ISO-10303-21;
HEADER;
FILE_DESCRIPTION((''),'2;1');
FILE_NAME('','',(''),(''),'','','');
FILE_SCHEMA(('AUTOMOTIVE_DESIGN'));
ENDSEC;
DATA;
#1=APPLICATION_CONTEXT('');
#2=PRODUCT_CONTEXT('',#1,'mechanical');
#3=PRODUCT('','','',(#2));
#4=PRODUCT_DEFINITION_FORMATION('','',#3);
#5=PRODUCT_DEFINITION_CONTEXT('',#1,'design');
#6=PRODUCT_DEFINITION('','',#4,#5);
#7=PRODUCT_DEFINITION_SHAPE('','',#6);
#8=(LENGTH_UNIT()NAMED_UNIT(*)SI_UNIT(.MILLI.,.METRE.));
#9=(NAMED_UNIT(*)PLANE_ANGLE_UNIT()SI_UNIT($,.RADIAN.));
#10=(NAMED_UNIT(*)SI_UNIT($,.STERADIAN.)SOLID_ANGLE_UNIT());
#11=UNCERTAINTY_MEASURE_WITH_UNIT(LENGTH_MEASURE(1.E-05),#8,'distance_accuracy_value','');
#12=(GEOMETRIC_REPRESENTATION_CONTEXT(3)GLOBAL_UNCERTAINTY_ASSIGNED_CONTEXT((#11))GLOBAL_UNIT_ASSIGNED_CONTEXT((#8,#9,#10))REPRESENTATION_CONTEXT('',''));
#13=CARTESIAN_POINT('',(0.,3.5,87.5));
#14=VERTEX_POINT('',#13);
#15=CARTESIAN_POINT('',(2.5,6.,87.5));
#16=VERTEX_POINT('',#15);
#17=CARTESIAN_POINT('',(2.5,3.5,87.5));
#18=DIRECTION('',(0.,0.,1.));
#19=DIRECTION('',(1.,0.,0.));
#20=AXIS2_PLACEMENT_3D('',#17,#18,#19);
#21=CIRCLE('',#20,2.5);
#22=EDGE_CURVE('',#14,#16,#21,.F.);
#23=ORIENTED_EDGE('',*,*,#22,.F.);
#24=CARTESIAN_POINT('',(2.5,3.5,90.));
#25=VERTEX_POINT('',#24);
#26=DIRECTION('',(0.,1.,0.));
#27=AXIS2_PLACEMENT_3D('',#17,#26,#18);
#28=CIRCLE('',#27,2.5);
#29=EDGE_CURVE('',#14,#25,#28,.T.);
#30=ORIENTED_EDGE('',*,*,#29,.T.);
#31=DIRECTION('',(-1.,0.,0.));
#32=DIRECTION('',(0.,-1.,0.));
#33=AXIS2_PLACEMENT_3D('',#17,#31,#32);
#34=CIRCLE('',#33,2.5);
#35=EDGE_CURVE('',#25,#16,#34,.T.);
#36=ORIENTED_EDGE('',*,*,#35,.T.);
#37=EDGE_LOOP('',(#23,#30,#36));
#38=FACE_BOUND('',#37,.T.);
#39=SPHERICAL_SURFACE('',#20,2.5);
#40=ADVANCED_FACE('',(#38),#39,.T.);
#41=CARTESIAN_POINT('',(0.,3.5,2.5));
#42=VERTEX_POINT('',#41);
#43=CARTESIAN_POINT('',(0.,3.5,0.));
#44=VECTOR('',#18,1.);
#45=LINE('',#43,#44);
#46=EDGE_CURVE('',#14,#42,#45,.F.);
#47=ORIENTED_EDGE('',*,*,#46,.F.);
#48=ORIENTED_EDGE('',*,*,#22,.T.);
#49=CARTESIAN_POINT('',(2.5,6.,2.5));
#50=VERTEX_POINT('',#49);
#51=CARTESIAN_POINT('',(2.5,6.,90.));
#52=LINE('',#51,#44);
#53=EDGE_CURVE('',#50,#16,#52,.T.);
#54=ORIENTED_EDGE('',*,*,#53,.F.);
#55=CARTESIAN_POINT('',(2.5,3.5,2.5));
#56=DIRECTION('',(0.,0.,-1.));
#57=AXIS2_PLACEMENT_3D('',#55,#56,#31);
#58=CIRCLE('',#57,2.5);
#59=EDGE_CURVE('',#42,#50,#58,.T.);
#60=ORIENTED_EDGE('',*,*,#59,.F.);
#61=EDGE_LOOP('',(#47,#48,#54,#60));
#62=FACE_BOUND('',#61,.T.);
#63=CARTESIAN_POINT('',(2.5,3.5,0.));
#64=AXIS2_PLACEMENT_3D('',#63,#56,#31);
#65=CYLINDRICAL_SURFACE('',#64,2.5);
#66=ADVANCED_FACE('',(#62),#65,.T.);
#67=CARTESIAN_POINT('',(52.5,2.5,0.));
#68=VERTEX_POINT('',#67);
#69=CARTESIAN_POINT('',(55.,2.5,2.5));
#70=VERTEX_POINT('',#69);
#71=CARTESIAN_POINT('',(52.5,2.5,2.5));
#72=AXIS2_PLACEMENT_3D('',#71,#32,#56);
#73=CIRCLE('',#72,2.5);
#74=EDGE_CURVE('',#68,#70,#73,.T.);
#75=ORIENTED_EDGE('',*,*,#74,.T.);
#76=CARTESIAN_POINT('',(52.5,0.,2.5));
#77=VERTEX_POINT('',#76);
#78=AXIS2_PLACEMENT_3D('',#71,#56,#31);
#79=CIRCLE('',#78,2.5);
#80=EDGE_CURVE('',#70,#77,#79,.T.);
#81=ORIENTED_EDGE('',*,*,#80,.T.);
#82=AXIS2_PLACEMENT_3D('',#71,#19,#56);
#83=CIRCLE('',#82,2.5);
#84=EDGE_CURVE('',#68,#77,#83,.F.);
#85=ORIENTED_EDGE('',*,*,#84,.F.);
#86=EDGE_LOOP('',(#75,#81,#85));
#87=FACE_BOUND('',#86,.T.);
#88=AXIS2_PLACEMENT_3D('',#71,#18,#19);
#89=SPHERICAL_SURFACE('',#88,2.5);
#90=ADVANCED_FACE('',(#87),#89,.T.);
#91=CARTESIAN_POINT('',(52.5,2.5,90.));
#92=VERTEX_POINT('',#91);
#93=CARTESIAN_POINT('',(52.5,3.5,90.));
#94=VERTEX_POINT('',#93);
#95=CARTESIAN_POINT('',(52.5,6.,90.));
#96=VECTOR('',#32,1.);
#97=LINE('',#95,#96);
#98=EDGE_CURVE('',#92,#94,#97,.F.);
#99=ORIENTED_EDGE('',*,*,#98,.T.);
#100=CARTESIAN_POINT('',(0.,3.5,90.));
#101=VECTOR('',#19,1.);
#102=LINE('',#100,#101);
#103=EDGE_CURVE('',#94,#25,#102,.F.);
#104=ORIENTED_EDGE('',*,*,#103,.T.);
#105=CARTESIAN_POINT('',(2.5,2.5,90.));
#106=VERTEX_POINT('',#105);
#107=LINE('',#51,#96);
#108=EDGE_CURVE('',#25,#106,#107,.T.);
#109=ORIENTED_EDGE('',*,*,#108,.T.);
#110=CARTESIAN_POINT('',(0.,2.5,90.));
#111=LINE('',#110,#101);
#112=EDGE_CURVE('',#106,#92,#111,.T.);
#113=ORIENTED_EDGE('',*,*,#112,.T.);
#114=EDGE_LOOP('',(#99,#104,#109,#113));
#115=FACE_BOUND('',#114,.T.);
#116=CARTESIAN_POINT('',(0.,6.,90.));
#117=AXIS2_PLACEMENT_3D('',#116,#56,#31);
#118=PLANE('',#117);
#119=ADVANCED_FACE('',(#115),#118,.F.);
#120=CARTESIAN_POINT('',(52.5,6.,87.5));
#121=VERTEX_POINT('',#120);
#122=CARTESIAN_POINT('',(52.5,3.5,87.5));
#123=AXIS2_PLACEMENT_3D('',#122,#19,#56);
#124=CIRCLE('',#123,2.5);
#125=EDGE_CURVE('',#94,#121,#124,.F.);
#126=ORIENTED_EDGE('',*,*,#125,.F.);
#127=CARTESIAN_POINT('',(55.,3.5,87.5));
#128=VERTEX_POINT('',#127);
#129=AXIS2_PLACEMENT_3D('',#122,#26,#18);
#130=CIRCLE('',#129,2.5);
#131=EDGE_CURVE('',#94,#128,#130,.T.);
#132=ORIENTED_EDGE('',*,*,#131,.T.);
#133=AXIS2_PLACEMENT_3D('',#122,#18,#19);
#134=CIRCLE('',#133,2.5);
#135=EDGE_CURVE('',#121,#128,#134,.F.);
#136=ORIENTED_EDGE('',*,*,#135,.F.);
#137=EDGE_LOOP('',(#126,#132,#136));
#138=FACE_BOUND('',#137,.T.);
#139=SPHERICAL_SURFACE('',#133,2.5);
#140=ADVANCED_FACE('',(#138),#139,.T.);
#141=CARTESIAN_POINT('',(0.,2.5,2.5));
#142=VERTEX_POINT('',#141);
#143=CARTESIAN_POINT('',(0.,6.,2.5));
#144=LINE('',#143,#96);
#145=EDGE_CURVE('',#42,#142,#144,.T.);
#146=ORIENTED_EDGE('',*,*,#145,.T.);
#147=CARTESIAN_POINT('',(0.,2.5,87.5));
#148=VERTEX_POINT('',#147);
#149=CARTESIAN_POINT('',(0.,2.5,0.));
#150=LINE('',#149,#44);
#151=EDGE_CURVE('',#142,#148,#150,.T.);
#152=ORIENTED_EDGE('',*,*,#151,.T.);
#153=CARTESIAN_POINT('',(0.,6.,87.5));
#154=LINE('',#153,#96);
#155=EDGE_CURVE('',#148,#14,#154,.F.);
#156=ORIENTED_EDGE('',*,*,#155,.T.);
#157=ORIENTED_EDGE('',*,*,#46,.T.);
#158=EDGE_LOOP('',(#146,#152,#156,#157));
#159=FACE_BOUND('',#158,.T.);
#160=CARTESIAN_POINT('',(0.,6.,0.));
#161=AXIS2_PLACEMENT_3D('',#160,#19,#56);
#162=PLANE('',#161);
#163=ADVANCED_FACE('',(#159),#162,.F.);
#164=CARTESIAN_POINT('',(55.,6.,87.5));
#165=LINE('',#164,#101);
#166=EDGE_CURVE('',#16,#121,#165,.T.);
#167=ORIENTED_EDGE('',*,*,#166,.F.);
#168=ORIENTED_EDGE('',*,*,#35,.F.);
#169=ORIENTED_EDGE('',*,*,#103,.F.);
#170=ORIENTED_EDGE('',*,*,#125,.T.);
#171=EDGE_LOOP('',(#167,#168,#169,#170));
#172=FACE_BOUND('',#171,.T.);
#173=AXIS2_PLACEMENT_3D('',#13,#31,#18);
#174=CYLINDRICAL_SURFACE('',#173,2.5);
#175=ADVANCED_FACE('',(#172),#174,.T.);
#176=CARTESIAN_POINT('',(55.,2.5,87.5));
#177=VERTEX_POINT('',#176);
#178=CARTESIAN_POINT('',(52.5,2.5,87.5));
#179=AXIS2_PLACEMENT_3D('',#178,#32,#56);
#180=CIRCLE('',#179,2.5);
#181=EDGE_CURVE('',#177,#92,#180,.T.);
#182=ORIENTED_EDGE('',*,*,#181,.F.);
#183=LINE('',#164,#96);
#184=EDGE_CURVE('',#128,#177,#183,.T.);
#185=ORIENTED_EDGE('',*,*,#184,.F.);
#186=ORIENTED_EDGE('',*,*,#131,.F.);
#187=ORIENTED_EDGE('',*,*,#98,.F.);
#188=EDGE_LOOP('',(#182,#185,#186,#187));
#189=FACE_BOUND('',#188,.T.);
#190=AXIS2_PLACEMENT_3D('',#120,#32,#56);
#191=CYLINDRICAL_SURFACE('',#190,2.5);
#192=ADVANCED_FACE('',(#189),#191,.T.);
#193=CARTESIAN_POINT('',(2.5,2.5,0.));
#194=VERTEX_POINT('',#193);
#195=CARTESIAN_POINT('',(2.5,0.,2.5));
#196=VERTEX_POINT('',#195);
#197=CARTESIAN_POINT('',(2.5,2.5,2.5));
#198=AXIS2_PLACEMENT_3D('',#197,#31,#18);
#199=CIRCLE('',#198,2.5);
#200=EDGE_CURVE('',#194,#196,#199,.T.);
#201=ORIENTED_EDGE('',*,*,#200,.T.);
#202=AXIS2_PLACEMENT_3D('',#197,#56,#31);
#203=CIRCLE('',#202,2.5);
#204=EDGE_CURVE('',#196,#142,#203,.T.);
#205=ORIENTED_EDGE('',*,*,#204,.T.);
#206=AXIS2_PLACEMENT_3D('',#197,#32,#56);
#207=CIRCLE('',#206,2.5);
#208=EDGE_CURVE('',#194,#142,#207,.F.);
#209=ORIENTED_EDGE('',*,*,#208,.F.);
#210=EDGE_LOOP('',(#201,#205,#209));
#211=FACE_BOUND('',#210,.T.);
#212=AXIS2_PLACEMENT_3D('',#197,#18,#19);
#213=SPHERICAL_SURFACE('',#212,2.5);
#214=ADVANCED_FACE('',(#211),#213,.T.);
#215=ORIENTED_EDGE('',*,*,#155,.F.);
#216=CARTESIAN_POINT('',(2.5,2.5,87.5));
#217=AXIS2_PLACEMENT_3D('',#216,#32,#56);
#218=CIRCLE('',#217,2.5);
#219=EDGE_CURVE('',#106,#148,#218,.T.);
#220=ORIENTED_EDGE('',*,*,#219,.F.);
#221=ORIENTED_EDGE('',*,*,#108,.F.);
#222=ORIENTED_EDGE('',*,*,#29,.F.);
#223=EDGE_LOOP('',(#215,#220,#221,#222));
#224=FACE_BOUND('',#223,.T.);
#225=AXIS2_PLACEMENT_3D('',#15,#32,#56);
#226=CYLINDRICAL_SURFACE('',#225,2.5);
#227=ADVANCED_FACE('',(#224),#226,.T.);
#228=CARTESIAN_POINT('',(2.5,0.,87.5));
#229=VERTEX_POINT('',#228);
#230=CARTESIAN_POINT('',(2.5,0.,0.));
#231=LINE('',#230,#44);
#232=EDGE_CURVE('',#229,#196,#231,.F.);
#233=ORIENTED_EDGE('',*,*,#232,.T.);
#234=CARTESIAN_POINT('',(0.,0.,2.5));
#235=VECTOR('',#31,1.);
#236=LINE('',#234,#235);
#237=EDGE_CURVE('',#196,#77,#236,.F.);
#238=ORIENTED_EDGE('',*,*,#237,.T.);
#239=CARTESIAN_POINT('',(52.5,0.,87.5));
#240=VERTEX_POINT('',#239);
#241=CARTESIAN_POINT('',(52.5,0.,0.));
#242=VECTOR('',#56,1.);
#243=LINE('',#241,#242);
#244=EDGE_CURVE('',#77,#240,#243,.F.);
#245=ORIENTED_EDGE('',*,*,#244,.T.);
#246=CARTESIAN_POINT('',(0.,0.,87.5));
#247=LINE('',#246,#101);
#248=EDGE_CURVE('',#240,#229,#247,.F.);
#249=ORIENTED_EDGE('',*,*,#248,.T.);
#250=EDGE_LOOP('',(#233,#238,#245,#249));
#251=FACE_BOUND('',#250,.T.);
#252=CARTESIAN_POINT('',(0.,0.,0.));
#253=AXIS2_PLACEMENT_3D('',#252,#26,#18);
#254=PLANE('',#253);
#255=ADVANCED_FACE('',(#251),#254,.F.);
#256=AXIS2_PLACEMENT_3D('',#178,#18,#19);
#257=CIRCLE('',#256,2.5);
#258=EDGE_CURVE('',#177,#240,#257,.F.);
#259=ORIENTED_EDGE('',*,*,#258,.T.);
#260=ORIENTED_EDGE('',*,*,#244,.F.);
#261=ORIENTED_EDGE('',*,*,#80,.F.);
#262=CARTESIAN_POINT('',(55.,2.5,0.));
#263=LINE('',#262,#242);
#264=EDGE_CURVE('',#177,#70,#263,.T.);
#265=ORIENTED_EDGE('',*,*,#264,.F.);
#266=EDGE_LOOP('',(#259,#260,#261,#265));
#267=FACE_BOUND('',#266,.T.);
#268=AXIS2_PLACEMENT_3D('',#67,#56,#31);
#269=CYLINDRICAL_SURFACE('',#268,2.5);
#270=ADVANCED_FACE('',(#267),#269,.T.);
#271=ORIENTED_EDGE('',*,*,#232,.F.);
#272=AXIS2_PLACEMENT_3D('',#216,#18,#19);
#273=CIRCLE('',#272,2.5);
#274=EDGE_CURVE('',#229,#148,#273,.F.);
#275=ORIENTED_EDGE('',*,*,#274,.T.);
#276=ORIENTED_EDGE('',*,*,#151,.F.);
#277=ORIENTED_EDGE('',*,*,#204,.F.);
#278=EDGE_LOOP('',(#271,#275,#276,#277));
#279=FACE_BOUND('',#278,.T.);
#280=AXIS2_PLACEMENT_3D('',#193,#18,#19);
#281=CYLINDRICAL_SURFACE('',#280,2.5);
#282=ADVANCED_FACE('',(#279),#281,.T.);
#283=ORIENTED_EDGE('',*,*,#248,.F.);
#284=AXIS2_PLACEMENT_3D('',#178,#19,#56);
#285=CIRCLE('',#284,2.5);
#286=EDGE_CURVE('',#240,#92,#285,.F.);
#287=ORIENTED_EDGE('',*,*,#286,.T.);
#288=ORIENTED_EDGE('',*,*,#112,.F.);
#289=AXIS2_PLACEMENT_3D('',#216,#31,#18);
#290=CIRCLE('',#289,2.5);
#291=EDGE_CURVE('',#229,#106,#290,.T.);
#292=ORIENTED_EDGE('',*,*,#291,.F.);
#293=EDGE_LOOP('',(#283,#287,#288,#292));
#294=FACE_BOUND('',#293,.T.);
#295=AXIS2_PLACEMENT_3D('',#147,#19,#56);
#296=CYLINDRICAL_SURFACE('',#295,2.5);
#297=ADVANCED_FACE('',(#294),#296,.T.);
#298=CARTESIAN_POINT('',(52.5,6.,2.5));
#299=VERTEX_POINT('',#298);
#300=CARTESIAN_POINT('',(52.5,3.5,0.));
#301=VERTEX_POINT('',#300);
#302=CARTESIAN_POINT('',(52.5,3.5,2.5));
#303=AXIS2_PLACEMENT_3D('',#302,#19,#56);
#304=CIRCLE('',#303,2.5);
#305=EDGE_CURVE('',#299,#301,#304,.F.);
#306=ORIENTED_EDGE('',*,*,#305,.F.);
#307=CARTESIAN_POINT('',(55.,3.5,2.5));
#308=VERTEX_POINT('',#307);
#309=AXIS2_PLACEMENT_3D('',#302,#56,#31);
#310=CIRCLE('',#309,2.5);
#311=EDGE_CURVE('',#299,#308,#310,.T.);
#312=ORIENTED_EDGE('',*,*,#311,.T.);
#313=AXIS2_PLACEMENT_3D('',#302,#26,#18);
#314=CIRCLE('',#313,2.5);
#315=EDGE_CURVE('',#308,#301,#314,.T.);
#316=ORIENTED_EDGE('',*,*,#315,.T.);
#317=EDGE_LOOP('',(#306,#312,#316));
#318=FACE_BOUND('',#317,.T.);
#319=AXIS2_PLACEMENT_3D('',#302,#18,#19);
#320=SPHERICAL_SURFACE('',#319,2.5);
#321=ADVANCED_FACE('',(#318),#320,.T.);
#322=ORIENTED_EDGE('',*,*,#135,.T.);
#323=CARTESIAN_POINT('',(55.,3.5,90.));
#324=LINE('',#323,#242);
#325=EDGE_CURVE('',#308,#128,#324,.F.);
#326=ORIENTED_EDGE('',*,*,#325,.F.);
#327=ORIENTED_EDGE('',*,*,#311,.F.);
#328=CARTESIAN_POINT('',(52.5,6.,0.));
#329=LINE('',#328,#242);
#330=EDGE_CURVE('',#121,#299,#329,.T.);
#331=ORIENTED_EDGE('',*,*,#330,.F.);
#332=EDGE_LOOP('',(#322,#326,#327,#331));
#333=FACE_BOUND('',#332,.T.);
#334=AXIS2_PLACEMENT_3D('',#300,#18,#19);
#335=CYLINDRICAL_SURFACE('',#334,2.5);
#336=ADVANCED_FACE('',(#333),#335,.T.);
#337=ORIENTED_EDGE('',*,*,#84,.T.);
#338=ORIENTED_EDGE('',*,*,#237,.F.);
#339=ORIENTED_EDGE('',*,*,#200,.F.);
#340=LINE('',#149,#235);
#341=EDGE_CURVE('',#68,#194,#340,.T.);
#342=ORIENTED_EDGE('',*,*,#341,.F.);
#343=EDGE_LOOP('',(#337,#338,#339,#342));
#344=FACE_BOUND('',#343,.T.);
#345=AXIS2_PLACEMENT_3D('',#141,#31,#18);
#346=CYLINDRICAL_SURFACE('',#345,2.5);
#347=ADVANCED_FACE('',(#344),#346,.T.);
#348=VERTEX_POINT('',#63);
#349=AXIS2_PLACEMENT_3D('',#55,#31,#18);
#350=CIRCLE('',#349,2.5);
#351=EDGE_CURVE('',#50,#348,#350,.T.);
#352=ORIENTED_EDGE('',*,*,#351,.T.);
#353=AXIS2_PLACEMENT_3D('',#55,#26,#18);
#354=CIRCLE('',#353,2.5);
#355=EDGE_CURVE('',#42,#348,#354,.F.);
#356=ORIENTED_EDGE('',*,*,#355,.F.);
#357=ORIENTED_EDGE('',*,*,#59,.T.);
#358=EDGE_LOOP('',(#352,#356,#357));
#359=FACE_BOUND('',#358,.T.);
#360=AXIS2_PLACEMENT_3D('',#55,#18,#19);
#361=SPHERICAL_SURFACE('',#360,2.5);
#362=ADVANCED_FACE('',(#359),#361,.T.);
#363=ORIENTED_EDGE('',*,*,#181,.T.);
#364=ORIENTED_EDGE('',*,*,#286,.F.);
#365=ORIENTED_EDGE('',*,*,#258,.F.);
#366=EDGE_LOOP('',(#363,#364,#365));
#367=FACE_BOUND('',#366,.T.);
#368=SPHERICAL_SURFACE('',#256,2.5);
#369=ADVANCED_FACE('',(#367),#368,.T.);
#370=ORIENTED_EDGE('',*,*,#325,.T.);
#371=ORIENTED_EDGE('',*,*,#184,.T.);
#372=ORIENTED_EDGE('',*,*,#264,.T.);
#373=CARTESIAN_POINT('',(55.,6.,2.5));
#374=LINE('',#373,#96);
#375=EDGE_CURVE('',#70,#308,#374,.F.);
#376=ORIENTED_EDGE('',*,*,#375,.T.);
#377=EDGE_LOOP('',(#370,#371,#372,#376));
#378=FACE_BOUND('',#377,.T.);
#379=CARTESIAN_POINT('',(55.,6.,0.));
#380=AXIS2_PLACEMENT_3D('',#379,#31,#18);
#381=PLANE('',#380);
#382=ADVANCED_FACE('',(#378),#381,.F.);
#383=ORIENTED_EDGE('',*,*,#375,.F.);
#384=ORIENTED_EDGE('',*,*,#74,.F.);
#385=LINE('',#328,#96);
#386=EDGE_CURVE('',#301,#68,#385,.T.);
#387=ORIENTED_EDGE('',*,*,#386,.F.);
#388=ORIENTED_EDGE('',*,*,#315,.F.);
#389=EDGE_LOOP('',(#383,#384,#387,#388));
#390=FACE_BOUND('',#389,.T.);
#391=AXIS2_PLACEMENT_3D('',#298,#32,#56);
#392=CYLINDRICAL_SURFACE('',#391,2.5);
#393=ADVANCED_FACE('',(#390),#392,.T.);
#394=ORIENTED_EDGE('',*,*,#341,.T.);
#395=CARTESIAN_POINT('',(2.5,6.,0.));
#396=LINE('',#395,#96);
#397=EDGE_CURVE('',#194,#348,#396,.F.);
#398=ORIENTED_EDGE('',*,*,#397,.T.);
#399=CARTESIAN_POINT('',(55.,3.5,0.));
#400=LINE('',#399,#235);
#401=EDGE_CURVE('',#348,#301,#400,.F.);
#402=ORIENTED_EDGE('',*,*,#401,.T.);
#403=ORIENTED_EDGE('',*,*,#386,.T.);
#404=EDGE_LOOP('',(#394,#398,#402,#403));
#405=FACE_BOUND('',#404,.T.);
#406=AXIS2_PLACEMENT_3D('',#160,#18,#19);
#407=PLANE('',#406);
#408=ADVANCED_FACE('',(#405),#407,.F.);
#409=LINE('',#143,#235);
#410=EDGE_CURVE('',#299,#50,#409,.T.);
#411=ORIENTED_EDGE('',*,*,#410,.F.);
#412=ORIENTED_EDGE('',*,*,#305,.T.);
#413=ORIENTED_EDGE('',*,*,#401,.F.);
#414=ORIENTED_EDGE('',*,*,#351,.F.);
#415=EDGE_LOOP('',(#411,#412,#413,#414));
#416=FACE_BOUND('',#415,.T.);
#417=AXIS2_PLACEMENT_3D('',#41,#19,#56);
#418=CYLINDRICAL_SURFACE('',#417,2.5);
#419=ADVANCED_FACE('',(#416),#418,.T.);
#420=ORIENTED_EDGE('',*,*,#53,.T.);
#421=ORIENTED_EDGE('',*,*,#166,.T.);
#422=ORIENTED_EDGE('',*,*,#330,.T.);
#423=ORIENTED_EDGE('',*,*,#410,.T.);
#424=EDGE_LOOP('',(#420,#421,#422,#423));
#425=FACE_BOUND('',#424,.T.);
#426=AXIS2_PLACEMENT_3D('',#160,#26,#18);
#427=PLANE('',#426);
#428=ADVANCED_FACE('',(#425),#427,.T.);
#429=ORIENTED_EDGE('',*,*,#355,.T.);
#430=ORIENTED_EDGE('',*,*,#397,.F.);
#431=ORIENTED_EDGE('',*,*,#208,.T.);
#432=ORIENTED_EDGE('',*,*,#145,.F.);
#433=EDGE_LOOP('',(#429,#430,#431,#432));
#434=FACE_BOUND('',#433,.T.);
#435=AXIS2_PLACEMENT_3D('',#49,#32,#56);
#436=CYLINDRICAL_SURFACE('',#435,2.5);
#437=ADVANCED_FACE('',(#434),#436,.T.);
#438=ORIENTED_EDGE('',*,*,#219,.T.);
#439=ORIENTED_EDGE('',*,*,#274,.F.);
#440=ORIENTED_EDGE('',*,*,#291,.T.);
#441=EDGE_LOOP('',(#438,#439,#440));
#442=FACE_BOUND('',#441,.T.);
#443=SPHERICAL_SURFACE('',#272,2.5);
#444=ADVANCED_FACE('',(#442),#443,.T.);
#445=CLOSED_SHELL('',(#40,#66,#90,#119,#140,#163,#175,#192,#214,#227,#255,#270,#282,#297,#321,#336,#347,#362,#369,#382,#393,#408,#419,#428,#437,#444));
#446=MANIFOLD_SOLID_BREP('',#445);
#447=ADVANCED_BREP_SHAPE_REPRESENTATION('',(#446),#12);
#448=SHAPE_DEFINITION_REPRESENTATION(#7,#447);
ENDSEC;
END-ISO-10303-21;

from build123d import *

# Parameters (mm, degrees)
SKETCH1_W           = 55
SKETCH1_H           = 90
BOSS_EXTRUDE1_DEPTH = 6
FILLET1_R           = 2.5


with BuildPart() as part:
    # Sketch1 → Boss-Extrude1 (new body)
    with BuildSketch(Plane(origin=(0, 0, 0), x_dir=(1, 0, 0), z_dir=(0, 1, 0))):
        with Locations((27.5, -45)):
            Rectangle(SKETCH1_W, SKETCH1_H)
    extrude(amount=BOSS_EXTRUDE1_DEPTH)

    # Fillet1
    fillet1_edges = [part.edges().sort_by_distance(p)[0] for p in [
        (55, 6, 45),
        (27.5, 6, 0),
        (0, 6, 45),
        (27.5, 0, 0),
        (55, 0, 45),
        (27.5, 0, 90),
        (0, 0, 45),
        (27.5, 6, 90),
        (0, 3, 0),
        (55, 3, 0),
        (55, 3, 90),
        (0, 3, 90),
    ]]
    fillet(fillet1_edges, radius=FILLET1_R)


solid = part.part
